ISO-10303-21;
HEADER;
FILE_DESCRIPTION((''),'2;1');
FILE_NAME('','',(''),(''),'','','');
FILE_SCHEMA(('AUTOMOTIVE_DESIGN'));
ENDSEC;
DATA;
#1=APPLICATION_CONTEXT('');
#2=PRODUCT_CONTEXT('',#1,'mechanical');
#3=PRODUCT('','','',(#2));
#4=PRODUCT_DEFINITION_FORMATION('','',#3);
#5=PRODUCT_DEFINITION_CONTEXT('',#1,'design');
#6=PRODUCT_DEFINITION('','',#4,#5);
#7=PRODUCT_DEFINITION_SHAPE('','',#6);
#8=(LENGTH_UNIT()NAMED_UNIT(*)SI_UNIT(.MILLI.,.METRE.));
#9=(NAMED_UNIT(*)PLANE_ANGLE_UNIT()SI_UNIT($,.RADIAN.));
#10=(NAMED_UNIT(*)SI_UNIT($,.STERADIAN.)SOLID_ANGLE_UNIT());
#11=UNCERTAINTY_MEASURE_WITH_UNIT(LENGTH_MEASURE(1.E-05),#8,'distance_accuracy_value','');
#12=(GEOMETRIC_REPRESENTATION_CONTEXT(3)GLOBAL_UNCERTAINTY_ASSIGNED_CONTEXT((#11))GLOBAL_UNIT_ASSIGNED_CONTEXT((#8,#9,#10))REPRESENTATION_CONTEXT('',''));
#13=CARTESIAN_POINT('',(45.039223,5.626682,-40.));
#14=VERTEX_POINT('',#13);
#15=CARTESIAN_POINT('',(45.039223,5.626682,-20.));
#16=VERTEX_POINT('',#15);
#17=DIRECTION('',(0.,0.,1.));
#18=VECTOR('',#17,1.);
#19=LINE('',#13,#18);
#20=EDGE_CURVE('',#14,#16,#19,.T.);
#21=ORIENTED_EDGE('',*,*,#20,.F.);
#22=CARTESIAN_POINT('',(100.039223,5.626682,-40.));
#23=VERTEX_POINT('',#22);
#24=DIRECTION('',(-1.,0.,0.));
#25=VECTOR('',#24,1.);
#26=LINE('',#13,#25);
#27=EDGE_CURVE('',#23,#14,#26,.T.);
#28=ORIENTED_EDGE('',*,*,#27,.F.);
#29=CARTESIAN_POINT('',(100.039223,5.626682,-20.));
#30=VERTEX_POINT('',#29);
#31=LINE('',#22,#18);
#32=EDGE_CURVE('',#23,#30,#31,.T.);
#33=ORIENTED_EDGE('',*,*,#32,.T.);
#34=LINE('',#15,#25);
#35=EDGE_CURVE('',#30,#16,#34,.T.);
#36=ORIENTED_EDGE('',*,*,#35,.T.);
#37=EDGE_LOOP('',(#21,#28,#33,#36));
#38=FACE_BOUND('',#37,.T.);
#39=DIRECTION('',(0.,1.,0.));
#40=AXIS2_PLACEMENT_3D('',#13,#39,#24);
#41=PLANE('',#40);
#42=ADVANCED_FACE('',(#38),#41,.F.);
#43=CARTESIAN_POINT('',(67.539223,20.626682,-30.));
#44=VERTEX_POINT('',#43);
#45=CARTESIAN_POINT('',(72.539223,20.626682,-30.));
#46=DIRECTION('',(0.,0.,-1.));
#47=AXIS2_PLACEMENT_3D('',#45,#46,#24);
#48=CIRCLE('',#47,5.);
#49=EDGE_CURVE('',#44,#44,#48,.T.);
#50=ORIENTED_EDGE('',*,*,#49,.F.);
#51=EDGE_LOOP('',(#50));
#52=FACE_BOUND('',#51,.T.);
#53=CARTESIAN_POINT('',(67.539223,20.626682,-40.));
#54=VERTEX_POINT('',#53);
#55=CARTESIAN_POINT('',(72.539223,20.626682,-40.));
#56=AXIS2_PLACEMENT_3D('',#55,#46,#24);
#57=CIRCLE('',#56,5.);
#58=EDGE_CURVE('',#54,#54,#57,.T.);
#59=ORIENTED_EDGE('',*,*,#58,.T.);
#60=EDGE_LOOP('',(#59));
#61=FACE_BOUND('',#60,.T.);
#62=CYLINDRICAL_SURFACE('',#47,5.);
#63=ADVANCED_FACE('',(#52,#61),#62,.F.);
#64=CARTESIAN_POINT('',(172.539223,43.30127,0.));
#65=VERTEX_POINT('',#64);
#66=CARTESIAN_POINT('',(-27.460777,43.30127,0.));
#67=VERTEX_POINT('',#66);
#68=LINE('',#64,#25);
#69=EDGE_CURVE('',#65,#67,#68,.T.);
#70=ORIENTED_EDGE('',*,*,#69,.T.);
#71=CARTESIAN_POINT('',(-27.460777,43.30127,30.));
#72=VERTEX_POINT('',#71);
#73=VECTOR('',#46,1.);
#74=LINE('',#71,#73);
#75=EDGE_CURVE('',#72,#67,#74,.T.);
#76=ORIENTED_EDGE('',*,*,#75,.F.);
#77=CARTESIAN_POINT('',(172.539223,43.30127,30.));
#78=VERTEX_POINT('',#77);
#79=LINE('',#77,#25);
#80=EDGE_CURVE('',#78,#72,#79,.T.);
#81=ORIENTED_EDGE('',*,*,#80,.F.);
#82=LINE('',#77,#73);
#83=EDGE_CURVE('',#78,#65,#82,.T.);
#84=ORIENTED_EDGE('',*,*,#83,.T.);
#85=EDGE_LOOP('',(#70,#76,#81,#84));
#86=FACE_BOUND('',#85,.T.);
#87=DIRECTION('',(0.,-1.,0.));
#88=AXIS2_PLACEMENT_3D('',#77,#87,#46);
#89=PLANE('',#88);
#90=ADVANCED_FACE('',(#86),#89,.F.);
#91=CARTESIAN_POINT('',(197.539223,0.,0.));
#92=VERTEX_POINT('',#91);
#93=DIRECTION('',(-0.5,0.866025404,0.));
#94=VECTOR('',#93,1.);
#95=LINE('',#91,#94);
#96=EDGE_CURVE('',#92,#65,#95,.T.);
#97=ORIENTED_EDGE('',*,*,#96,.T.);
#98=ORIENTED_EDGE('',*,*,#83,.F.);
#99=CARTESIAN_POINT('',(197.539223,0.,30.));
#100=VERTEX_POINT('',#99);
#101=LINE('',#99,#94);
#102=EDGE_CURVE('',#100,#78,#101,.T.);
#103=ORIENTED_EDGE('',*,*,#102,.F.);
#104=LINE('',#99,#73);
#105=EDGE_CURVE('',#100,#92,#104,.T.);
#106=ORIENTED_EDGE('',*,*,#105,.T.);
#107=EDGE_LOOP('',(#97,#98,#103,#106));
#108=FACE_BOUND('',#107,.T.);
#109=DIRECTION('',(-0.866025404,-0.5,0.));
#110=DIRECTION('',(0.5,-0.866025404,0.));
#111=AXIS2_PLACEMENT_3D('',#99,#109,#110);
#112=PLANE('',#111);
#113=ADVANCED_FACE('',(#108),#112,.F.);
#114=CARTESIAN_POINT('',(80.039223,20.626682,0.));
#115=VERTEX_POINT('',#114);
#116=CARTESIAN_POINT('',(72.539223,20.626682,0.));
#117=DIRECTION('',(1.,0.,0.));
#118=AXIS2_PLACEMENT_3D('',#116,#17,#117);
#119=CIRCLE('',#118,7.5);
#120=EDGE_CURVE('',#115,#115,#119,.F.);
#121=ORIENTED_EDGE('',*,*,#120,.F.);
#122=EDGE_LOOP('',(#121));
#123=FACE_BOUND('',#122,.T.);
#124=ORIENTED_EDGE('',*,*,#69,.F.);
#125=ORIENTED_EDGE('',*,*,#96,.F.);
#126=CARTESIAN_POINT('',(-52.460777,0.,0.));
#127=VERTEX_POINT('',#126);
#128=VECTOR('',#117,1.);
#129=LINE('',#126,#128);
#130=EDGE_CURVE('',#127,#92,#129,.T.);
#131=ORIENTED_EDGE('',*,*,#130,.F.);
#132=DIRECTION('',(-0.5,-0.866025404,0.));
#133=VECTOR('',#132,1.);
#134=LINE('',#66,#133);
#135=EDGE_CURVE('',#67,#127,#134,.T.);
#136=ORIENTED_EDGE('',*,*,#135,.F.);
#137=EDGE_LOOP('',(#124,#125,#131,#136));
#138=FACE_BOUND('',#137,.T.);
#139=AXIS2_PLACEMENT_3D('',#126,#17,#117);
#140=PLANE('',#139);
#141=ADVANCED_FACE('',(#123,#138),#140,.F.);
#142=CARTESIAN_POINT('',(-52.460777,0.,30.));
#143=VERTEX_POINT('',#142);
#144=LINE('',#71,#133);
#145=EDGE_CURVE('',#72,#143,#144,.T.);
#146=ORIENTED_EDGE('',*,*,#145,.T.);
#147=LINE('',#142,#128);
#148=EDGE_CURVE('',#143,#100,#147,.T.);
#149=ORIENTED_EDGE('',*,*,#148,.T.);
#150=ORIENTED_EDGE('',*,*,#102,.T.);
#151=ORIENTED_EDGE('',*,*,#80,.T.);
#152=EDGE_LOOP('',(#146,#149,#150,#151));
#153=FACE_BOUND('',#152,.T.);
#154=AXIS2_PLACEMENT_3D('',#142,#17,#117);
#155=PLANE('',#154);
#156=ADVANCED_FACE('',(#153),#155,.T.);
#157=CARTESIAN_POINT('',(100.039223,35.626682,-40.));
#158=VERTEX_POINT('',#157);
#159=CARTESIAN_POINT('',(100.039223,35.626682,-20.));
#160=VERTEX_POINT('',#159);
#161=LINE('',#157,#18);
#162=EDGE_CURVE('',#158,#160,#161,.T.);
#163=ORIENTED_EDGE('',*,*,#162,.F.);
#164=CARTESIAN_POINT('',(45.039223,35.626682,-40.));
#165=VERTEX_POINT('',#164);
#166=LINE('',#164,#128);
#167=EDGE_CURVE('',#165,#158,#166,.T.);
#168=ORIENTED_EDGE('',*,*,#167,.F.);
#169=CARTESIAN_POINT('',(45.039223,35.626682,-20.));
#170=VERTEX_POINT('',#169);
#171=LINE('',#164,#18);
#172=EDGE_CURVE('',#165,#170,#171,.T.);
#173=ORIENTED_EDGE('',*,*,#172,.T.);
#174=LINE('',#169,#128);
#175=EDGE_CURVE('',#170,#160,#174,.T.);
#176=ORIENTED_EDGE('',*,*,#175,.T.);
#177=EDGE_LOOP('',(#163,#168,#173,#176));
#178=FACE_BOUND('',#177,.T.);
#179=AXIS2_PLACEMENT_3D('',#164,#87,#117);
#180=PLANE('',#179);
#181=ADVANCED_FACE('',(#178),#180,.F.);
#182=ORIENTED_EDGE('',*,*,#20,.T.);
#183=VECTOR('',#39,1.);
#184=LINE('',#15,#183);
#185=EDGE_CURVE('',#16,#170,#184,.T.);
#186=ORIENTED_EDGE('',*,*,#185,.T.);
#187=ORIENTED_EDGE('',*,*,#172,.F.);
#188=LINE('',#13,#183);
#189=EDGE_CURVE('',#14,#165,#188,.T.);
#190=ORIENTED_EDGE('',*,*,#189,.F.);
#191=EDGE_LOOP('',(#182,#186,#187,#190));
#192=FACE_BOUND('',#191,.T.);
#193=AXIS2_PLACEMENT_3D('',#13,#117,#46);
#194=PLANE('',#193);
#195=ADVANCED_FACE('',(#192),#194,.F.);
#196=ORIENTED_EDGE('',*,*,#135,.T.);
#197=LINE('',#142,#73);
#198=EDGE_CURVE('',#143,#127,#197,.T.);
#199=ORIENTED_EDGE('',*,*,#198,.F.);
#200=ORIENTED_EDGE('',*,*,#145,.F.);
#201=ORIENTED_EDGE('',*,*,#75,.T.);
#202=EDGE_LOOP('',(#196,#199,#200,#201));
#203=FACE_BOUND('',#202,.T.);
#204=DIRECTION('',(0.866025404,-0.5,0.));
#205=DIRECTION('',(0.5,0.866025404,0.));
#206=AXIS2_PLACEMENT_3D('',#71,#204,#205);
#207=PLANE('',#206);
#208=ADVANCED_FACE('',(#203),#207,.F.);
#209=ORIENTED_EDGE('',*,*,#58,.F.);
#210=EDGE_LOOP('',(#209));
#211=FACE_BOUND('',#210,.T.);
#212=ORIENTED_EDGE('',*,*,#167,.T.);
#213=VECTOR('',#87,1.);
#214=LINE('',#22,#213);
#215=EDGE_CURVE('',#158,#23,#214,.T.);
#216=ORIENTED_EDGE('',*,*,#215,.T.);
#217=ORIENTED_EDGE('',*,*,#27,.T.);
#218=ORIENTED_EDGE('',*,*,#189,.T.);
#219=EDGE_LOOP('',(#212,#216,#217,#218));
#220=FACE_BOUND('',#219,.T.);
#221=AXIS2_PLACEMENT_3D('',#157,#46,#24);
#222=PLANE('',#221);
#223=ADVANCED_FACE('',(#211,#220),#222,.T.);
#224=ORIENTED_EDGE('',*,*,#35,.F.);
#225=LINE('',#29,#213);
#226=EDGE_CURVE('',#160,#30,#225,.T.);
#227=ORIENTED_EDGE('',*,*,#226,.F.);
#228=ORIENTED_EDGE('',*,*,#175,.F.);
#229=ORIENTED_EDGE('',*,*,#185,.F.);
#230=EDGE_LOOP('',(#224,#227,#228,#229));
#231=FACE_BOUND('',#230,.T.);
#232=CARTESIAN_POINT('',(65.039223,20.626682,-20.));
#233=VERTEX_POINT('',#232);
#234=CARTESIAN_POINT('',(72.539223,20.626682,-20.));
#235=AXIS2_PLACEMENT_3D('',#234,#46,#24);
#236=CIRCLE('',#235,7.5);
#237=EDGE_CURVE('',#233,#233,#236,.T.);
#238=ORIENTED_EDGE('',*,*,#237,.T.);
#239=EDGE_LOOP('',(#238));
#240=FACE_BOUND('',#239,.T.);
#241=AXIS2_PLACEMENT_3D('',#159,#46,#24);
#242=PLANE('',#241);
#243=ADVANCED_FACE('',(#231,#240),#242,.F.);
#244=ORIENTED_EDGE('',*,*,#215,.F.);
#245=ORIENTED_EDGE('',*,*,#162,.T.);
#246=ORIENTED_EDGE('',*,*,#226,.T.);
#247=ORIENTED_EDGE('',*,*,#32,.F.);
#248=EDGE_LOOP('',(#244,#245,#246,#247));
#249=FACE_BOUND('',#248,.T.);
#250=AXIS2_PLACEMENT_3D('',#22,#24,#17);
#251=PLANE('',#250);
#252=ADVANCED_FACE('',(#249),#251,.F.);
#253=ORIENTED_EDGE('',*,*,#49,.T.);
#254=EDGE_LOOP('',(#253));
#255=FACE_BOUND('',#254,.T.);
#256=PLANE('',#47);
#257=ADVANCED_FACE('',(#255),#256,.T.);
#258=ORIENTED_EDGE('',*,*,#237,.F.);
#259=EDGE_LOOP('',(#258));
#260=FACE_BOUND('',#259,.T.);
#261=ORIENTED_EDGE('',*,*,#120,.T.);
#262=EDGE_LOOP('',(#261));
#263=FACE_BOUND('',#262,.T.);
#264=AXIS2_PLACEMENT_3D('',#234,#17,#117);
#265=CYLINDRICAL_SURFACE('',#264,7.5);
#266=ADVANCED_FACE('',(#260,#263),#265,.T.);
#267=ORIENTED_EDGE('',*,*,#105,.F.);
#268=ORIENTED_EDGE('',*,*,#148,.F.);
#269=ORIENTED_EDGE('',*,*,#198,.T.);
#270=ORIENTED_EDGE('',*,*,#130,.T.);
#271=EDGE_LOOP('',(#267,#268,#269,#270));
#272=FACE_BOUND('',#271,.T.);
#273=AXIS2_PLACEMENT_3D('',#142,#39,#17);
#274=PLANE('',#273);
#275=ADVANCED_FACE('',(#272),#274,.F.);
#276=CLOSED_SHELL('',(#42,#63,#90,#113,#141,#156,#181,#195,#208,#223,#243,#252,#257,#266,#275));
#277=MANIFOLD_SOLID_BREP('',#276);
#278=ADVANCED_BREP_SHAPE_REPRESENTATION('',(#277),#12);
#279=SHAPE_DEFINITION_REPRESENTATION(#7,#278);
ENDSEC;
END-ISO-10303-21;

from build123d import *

# Parameters (mm, degrees)
EXTRUDE_1_DEPTH     = 30
SKETCH_2_R          = 7.5
EXTRUDE_2_DEPTH     = 20
SKETCH_3_W          = 55
SKETCH_3_H          = 30
EXTRUDE_3_DEPTH     = 20
SKETCH_4_R          = 5
CUT_EXTRUDE_1_DEPTH = 10


with BuildPart() as part:
    # 草图1 → 凸台-拉伸1 (new body)
    with BuildSketch(Plane.XY):
        Polygon((-52.460777496, 0), (197.539222504, 0), (172.539222504, 43.301270189), (-27.460777496, 43.301270189), align=None)
    extrude(amount=EXTRUDE_1_DEPTH)

    # 草图2 → 凸台-拉伸2 (add)
    with BuildSketch(Plane(origin=(0, 0, 0), x_dir=(-1, 0, 0), z_dir=(0, 0, -1))):
        with Locations(Location((-72.539222504, 20.626682139, 0), (0, 0, 180))):
            Circle(SKETCH_2_R)
    extrude(amount=EXTRUDE_2_DEPTH)

    # 草图3 → 凸台-拉伸3 (add)
    with BuildSketch(Plane(origin=(0, 0, -20), x_dir=(-1, 0, 0), z_dir=(0, 0, -1))):
        with Locations((-72.539222504, 20.626682139)):
            Rectangle(SKETCH_3_W, SKETCH_3_H)
    extrude(amount=EXTRUDE_3_DEPTH)

    # 草图4 → 切除-拉伸1 (cut)
    with BuildSketch(Plane(origin=(0, 0, -40), x_dir=(-1, 0, 0), z_dir=(0, 0, -1))):
        with Locations((-72.539222504, 20.626682139)):
            Circle(SKETCH_4_R)
    extrude(amount=-CUT_EXTRUDE_1_DEPTH, mode=Mode.SUBTRACT)


solid = part.part
